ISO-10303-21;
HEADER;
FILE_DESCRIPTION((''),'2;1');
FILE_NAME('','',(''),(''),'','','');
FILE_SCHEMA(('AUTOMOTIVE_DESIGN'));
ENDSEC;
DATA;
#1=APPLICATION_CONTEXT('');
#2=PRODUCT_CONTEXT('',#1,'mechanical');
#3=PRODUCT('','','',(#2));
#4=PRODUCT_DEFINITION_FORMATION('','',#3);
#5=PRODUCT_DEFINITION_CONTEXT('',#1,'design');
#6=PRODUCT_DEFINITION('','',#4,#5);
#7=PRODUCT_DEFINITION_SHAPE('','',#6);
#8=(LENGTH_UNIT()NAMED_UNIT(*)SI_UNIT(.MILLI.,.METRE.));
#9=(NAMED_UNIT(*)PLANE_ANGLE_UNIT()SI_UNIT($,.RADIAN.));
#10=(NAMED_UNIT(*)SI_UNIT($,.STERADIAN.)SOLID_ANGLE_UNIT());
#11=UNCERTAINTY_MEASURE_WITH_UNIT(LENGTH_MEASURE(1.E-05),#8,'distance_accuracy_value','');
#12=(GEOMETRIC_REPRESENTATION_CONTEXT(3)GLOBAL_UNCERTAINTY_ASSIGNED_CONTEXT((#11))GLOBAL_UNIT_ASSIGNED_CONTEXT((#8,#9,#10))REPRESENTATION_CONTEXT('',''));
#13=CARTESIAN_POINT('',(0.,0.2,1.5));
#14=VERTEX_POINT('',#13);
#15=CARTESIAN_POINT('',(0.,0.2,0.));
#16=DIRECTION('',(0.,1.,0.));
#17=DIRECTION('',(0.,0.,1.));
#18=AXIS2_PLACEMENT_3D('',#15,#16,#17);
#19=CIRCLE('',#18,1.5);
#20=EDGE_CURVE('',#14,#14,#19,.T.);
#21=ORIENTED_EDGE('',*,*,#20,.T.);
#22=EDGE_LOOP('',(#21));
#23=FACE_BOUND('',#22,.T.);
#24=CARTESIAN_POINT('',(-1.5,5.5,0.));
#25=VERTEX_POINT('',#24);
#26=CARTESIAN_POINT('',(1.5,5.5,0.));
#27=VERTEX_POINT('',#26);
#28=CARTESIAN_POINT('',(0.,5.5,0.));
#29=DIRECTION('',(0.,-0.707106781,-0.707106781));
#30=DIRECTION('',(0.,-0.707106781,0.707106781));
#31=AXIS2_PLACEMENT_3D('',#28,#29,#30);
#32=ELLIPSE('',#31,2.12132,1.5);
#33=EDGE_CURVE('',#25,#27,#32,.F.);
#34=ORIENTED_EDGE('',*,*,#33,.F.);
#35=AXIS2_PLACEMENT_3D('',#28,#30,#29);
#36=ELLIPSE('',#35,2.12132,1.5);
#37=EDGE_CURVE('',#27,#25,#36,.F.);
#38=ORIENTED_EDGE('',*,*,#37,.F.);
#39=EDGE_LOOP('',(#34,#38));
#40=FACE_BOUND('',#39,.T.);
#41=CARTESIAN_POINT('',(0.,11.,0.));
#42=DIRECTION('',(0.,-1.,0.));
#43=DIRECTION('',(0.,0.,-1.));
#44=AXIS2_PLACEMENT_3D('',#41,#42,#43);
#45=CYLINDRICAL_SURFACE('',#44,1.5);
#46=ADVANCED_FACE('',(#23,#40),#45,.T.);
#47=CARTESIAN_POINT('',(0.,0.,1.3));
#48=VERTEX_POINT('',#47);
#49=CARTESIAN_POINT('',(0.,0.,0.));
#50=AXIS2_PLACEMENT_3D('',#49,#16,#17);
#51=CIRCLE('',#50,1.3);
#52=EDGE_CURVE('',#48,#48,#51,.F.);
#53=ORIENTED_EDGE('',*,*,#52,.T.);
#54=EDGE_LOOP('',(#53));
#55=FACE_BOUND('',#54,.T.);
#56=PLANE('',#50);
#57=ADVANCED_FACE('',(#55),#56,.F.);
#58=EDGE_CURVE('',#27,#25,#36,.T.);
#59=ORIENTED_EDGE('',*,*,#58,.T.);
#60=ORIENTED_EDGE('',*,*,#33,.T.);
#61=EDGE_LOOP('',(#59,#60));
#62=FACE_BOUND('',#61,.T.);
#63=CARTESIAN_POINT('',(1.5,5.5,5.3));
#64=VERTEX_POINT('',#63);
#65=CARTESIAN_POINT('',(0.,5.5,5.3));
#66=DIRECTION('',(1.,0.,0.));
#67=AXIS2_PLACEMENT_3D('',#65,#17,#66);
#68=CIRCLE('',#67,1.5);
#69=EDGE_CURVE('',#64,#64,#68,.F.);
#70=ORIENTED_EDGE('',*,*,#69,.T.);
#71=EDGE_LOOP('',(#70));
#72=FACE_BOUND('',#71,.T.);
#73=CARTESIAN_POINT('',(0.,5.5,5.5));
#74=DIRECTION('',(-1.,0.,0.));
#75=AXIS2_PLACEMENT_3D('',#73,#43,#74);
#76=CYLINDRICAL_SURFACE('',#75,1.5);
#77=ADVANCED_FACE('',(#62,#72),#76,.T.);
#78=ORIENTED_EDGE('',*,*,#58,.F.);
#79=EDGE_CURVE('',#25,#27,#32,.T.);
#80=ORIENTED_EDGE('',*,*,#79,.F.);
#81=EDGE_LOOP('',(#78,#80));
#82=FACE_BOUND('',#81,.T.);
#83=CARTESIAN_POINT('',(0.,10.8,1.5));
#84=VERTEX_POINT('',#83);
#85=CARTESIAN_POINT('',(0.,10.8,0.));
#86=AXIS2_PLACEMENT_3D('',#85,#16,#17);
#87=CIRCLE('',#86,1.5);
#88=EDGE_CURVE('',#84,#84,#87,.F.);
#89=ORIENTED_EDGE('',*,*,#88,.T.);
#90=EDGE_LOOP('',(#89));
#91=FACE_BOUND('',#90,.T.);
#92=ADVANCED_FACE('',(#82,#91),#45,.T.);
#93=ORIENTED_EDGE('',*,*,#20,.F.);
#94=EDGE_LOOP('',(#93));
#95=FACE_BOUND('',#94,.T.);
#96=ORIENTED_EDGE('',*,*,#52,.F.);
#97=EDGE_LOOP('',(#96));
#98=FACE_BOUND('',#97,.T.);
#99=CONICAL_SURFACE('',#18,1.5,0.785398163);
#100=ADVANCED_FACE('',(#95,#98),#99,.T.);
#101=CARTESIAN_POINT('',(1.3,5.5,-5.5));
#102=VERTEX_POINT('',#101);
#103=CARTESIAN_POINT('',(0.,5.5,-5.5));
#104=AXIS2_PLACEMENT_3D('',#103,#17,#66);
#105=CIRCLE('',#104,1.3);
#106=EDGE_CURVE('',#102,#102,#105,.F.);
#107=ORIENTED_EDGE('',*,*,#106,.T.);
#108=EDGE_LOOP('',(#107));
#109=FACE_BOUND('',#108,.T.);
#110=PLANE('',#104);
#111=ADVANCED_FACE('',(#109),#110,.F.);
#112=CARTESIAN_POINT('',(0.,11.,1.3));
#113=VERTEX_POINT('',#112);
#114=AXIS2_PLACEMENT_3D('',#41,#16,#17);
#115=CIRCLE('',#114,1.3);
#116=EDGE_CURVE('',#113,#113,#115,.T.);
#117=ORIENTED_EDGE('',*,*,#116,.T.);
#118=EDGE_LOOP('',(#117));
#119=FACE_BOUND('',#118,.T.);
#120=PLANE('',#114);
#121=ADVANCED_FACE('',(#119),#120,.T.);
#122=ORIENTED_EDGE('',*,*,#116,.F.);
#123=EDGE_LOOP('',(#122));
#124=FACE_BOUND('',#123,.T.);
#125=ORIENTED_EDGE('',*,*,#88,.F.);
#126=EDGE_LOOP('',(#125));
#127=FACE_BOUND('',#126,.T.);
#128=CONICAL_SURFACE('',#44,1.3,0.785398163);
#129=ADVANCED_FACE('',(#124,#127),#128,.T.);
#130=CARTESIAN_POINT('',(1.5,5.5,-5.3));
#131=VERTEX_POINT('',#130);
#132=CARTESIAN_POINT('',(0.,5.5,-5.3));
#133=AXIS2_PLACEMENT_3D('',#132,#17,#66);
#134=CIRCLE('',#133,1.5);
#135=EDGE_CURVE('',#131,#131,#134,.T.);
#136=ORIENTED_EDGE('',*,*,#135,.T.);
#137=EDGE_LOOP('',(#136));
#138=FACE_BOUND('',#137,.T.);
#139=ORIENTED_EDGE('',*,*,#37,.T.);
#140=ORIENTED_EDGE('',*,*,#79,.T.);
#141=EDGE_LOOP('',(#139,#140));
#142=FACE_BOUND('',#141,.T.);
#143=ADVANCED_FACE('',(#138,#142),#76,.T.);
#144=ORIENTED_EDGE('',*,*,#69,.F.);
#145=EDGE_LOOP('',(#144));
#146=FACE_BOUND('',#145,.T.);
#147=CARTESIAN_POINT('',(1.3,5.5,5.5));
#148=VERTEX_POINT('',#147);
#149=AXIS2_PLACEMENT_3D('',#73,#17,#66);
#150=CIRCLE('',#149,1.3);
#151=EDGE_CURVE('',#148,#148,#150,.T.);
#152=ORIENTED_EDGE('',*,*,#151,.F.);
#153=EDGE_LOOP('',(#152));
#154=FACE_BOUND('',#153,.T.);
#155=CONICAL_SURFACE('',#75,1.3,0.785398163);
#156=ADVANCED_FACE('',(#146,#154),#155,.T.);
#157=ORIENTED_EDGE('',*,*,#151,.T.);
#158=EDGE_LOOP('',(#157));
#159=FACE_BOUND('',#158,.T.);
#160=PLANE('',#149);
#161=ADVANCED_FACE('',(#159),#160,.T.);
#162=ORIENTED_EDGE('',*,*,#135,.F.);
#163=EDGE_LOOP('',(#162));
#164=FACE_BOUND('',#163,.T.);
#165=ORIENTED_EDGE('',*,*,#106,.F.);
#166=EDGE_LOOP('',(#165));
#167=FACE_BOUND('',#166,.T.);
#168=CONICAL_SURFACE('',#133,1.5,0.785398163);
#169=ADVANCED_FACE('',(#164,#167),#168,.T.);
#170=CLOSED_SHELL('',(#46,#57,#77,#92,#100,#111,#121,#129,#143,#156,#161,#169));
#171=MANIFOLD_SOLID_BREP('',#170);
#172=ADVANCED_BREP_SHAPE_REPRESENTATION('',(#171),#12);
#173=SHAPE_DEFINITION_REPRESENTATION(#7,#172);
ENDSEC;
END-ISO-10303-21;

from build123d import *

# Parameters (mm, degrees)
SKETCH_1_R      = 1.5
EXTRUDE_1_DEPTH = 11
SKETCH_2_R      = 1.5
EXTRUDE_2_DEPTH = 5.5
CHAMFER_1_SIZE  = 0.2


with BuildPart() as part:
    # 草图1 → 凸台-拉伸1 (new body)
    with BuildSketch(Plane(origin=(0, 0, 0), x_dir=(1, 0, 0), z_dir=(0, 1, 0))):
        Circle(SKETCH_1_R)
    extrude(amount=EXTRUDE_1_DEPTH)

    # 草图2 → 凸台-拉伸2 (add, symmetric)
    with BuildSketch(Plane.XY):
        with Locations((0, 5.5)):
            Circle(SKETCH_2_R)
    extrude(amount=EXTRUDE_2_DEPTH, both=True)

    # 倒角1
    chamfer_1_edges = [part.edges().sort_by_distance(p)[0] for p in [
        (-1.5, 0, 0),
        (-1.5, 11, 0),
        (-1.5, 5.5, -5.5),
        (-1.5, 5.5, 5.5),
    ]]
    chamfer(chamfer_1_edges, length=CHAMFER_1_SIZE)


solid = part.part
